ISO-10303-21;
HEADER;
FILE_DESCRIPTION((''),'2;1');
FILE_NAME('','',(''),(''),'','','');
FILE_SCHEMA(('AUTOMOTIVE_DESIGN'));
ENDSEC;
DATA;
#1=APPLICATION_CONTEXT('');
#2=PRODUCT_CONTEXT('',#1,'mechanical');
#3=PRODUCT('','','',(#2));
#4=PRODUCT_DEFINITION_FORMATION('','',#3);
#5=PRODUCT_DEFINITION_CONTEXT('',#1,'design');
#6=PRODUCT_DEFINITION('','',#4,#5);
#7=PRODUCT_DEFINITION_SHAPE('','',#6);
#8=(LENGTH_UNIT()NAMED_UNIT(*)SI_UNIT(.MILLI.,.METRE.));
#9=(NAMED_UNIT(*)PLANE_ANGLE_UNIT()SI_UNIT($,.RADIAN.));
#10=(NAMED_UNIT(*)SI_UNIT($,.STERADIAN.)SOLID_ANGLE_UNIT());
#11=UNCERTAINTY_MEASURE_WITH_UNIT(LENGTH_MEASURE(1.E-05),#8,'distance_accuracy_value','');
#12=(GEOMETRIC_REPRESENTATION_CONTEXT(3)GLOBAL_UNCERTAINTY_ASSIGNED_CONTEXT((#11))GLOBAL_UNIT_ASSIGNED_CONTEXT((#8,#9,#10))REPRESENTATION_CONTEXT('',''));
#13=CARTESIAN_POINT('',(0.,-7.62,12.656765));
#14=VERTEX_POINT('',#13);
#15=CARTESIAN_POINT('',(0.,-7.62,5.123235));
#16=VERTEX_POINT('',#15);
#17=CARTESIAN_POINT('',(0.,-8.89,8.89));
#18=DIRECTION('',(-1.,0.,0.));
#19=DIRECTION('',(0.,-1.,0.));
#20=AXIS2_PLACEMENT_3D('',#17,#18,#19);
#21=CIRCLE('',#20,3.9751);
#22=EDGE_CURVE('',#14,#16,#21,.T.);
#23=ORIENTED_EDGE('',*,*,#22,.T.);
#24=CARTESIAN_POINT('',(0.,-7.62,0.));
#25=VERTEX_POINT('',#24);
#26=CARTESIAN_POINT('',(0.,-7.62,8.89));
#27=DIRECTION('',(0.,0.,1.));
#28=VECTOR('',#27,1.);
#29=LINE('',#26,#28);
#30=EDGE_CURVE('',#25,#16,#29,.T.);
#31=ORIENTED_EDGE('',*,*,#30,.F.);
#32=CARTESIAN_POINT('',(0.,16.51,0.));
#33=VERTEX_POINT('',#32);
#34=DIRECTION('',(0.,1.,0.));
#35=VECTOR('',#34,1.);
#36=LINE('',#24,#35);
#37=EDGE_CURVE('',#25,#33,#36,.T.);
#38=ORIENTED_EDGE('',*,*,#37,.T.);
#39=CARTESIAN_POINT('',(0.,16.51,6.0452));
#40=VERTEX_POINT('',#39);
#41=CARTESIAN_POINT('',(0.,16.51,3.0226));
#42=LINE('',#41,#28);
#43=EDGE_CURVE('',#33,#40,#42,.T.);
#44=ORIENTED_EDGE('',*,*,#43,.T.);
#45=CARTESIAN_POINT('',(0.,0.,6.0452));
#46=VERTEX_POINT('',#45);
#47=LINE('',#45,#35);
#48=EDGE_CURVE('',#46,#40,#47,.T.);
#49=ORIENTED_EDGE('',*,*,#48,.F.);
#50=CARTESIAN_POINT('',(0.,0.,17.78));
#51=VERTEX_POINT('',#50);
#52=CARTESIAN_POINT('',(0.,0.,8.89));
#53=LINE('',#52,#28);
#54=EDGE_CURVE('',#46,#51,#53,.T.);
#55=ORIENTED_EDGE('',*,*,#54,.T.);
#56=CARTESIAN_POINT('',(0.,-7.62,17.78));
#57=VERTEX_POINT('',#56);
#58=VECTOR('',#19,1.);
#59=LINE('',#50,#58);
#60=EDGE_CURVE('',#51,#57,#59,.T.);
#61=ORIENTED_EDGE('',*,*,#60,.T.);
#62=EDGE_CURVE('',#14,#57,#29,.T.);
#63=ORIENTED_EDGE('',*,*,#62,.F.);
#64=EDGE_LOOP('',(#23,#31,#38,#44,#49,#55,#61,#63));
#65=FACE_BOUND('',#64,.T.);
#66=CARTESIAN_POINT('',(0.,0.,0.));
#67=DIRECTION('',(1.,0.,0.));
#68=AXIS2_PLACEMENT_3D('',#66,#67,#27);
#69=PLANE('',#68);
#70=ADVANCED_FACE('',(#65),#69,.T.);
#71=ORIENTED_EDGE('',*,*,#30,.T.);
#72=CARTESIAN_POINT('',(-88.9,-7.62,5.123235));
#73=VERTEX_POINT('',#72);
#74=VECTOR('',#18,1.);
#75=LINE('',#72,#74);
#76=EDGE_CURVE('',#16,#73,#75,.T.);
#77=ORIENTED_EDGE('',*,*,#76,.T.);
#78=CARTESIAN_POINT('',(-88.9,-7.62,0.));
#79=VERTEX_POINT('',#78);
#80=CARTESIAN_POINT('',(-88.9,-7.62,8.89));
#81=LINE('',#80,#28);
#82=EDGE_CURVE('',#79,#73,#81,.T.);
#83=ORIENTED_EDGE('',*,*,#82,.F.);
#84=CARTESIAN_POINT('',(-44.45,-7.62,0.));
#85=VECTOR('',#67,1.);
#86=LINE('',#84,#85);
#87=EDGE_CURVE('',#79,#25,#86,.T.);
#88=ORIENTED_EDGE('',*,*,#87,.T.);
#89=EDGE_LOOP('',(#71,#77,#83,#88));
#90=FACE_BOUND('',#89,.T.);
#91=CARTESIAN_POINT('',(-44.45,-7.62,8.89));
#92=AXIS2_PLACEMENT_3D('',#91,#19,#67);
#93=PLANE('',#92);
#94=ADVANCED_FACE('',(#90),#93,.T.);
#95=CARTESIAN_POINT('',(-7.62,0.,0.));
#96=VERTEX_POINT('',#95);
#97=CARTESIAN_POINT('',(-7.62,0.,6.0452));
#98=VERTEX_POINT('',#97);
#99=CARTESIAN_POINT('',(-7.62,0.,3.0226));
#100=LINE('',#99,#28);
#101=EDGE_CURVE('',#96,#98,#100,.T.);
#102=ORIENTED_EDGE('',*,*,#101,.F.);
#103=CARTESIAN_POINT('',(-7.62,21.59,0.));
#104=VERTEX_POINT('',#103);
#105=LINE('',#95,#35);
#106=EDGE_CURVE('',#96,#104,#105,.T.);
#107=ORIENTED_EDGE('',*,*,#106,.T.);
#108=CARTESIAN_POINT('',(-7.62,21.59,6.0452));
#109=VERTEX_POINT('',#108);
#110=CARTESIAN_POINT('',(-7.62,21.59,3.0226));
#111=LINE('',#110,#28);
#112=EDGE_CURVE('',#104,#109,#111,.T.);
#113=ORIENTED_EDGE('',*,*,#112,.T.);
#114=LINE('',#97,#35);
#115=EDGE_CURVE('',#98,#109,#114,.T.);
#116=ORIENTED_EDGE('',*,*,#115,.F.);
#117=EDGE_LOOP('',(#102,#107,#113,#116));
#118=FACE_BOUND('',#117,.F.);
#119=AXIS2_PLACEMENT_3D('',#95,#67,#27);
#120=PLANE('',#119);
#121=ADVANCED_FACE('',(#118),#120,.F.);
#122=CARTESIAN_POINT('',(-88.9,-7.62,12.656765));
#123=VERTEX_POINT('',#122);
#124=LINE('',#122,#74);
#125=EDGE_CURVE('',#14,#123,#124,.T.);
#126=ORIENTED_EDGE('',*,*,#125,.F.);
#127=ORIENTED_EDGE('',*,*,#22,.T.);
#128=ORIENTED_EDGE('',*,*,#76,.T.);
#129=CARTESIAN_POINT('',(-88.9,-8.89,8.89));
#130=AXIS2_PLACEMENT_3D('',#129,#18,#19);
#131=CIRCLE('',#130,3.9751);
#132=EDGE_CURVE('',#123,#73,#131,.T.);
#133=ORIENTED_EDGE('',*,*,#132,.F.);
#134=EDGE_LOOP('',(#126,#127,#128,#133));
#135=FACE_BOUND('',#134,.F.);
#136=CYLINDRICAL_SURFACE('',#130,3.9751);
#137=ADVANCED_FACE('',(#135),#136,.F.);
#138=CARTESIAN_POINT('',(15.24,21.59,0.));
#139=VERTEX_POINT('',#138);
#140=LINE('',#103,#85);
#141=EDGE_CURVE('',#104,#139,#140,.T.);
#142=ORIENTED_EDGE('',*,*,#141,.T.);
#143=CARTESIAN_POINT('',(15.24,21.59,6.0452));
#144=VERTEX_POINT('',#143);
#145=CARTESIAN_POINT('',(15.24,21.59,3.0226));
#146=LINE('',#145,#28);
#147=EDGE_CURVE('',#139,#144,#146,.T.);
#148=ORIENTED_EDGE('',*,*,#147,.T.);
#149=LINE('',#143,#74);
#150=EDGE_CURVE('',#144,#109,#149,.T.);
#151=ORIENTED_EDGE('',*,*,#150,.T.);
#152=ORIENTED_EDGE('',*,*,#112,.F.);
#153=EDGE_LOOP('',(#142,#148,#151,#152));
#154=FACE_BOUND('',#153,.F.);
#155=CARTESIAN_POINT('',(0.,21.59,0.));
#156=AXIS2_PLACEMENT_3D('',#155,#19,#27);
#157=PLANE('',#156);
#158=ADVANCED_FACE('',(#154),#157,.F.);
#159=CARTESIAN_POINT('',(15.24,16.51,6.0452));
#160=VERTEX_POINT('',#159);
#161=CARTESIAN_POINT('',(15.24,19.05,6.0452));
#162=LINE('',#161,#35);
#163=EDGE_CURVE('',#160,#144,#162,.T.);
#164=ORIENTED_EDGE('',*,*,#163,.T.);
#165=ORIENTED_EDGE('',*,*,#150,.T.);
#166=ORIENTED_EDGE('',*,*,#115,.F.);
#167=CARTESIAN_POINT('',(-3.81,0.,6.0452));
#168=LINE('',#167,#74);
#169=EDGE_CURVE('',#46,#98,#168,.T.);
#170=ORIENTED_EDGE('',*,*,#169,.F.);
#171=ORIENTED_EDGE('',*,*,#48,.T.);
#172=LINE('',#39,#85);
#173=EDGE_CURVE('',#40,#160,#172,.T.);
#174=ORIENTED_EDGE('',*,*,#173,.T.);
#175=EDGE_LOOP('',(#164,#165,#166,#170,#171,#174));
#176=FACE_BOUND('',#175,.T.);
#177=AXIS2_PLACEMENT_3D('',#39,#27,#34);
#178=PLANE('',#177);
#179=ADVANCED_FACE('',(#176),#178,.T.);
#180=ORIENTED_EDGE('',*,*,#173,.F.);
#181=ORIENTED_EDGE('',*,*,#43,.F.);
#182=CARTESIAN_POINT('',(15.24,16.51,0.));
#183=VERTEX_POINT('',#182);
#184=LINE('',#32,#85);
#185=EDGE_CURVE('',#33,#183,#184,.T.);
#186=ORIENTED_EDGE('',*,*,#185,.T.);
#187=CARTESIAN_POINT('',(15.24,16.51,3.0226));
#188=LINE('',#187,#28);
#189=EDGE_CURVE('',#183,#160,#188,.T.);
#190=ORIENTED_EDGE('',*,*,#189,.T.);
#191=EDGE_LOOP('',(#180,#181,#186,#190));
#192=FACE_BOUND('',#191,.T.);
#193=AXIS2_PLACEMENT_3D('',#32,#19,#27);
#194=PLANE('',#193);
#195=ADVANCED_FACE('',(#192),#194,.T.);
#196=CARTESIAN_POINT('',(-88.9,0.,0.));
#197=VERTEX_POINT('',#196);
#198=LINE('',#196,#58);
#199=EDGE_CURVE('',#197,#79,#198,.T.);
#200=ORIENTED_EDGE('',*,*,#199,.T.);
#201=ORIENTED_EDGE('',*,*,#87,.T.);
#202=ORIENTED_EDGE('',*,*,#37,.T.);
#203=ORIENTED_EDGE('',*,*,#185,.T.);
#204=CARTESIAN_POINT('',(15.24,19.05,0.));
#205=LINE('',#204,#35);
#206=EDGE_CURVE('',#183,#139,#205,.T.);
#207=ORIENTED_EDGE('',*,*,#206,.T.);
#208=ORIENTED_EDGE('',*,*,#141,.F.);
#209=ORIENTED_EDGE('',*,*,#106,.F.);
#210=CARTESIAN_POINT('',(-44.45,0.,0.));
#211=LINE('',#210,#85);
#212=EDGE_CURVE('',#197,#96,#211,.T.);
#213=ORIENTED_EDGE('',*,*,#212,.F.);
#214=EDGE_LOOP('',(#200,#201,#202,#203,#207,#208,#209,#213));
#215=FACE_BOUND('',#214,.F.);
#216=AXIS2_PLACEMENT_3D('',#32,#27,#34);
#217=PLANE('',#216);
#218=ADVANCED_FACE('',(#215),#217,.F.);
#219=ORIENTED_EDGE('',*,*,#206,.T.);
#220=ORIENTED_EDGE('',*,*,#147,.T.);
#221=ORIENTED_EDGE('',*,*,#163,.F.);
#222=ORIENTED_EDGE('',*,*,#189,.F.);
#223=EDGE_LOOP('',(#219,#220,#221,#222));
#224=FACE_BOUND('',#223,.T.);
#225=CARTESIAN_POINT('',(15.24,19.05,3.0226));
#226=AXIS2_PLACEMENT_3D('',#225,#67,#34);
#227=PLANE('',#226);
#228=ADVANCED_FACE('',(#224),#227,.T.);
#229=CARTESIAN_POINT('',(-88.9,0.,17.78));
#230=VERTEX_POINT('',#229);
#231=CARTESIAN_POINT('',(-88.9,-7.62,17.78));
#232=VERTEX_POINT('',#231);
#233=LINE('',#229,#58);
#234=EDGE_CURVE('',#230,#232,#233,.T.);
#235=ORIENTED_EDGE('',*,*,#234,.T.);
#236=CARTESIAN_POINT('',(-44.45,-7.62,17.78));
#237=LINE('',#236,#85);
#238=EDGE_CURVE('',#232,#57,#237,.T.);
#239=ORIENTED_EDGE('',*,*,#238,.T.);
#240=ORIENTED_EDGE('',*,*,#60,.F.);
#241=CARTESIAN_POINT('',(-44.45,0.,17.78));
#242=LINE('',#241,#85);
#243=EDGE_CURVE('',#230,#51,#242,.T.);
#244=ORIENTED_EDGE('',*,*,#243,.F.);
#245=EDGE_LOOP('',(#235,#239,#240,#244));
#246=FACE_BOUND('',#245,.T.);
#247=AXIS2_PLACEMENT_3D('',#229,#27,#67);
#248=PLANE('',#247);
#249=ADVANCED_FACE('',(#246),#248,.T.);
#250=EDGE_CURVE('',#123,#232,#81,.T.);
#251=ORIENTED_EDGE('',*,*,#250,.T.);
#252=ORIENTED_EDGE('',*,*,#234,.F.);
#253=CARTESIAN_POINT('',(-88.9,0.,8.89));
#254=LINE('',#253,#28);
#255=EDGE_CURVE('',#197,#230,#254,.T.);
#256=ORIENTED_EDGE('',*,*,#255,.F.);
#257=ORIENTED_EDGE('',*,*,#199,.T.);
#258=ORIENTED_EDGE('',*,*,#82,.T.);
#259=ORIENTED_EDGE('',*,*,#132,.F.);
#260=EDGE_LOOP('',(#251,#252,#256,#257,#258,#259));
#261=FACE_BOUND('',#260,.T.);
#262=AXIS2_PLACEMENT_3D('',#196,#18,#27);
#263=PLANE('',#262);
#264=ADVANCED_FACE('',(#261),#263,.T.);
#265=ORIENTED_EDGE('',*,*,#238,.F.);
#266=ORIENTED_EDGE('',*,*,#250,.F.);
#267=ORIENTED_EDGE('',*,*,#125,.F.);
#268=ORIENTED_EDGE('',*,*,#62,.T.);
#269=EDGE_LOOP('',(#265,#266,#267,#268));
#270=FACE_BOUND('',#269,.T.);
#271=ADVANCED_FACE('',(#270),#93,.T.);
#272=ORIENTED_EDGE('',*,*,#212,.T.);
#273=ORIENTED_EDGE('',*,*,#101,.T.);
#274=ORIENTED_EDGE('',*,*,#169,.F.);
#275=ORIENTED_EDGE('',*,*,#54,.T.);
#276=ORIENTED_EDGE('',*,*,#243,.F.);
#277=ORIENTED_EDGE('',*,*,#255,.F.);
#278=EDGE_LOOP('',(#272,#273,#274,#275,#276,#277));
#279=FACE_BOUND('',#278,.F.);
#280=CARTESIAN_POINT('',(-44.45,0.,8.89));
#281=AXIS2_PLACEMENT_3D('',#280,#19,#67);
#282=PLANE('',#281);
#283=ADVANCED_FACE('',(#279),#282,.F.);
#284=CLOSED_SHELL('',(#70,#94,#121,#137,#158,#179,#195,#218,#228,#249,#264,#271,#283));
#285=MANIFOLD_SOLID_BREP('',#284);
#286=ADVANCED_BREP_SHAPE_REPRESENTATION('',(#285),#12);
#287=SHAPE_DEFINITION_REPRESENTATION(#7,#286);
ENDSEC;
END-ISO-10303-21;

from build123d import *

# Parameters (mm, degrees)
F0_W     = 88.9
F0_H     = 17.78
F1_DEPTH = 7.62
F2_R     = 3.9751
F3_DEPTH = 88.901
F4_W     = 7.62
F4_H     = 6.0452
F5_DEPTH = 21.59
F6_W     = 5.08
F6_H     = 6.0452
F7_DEPTH = 15.24


with BuildPart() as f1:
    # F0 (on Front) → F1 (new body)
    with BuildSketch(Plane.XZ):
        with Locations((-44.45, 8.89)):
            Rectangle(F0_W, F0_H)
    extrude(amount=F1_DEPTH)

    # F2 (on face) → F3 (cut, through all)
    with BuildSketch(Plane(origin=(-88.9, 0, 0), x_dir=(0, -1, 0), z_dir=(-1, 0, 0))):
        with Locations((8.89, 8.89)):
            Circle(F2_R)
    extrude(amount=-F3_DEPTH, mode=Mode.SUBTRACT)

    # F4 (on face) → F5 (join)
    with BuildSketch(Plane(origin=(0, 0, 0), x_dir=(-1, 0, 0), z_dir=(0, 1, 0))):
        with Locations((3.81, 3.0226)):
            Rectangle(F4_W, F4_H)
    extrude(amount=F5_DEPTH)

    # F6 (on face) → F7 (join)
    with BuildSketch(Plane.YZ):
        with Locations((19.05, 3.0226)):
            Rectangle(F6_W, F6_H)
    extrude(amount=F7_DEPTH)


solid = f1.part
